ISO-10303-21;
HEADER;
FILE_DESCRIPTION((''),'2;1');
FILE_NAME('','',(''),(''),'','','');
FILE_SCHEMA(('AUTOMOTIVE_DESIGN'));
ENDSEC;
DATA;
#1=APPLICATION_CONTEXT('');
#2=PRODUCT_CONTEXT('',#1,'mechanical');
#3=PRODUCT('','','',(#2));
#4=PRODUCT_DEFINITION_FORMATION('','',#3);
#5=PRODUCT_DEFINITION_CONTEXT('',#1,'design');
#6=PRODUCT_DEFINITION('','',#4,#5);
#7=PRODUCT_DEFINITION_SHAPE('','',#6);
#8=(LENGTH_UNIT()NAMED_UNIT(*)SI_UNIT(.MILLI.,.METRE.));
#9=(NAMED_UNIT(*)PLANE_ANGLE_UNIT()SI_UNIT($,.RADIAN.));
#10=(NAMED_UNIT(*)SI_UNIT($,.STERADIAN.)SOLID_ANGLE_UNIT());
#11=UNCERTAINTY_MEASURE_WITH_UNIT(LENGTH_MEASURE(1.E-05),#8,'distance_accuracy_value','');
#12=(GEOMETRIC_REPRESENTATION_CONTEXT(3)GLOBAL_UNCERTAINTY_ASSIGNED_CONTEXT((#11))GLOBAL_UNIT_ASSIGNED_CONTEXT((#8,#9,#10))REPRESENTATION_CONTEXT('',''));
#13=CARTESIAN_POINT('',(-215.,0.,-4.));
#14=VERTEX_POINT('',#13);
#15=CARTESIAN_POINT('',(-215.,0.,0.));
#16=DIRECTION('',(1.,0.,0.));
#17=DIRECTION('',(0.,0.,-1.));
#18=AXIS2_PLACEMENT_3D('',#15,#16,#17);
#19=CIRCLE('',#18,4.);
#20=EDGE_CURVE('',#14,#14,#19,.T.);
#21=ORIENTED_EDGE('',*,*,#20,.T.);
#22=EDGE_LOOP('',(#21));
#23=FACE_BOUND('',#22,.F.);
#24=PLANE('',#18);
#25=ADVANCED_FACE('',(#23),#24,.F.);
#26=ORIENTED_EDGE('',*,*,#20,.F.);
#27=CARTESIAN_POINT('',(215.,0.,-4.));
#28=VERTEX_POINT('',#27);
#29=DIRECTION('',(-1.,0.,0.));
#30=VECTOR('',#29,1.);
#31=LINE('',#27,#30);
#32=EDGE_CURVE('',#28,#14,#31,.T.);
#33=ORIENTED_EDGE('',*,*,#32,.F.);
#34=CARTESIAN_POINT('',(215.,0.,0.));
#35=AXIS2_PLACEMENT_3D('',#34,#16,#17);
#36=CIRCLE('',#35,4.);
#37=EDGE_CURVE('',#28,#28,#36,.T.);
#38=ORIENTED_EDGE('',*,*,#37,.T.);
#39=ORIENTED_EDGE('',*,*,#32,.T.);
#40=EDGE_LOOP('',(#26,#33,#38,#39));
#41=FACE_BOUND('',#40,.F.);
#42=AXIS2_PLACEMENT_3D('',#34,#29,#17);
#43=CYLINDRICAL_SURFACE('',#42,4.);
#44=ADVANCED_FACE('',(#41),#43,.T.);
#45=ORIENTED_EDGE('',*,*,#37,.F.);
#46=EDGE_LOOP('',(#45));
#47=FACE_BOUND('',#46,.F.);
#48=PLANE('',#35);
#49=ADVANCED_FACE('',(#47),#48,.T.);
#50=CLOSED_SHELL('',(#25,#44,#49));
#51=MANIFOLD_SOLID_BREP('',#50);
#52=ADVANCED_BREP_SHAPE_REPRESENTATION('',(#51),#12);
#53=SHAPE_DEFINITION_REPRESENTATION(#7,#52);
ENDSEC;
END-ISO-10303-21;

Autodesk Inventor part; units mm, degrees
ref_plane "YZ Plane" through (0, 0, 0) normal (1, 0, 0) x (0, 1, 0)
ref_plane "XZ Plane" through (0, 0, 0) normal (0, 1, 0) x (-1, 0, 0)
ref_plane "XY Plane" through (0, 0, 0) normal (0, 0, 1) x (1, 0, 0)
sketch "Sketch1" plane through (0, 0, 0) normal (0, 1, 0) x (-1, 0, 0)
  line L0 (215, 0) -> (-215, 0)
  line L1 (-215, 0) -> (-215, -4)
  line L2 (-215, -4) -> (215, -4)
  line L3 (215, -4) -> (215, 0)
  point P0 (0, 0)
  point P1 (0, -4)
  point P2 (0, 0)
  dimension "d0" = 4
  dimension "d1" = 430
revolve "Revolution1" add sketch "Sketch1" angle 360 about axis through (-215, 0, 0) along (1, 0, 0)
thread "Thread1" size "M8x1.25" class "6g" standard "ISO Metric profile" full length
properties part number "T8-lead-screw"
